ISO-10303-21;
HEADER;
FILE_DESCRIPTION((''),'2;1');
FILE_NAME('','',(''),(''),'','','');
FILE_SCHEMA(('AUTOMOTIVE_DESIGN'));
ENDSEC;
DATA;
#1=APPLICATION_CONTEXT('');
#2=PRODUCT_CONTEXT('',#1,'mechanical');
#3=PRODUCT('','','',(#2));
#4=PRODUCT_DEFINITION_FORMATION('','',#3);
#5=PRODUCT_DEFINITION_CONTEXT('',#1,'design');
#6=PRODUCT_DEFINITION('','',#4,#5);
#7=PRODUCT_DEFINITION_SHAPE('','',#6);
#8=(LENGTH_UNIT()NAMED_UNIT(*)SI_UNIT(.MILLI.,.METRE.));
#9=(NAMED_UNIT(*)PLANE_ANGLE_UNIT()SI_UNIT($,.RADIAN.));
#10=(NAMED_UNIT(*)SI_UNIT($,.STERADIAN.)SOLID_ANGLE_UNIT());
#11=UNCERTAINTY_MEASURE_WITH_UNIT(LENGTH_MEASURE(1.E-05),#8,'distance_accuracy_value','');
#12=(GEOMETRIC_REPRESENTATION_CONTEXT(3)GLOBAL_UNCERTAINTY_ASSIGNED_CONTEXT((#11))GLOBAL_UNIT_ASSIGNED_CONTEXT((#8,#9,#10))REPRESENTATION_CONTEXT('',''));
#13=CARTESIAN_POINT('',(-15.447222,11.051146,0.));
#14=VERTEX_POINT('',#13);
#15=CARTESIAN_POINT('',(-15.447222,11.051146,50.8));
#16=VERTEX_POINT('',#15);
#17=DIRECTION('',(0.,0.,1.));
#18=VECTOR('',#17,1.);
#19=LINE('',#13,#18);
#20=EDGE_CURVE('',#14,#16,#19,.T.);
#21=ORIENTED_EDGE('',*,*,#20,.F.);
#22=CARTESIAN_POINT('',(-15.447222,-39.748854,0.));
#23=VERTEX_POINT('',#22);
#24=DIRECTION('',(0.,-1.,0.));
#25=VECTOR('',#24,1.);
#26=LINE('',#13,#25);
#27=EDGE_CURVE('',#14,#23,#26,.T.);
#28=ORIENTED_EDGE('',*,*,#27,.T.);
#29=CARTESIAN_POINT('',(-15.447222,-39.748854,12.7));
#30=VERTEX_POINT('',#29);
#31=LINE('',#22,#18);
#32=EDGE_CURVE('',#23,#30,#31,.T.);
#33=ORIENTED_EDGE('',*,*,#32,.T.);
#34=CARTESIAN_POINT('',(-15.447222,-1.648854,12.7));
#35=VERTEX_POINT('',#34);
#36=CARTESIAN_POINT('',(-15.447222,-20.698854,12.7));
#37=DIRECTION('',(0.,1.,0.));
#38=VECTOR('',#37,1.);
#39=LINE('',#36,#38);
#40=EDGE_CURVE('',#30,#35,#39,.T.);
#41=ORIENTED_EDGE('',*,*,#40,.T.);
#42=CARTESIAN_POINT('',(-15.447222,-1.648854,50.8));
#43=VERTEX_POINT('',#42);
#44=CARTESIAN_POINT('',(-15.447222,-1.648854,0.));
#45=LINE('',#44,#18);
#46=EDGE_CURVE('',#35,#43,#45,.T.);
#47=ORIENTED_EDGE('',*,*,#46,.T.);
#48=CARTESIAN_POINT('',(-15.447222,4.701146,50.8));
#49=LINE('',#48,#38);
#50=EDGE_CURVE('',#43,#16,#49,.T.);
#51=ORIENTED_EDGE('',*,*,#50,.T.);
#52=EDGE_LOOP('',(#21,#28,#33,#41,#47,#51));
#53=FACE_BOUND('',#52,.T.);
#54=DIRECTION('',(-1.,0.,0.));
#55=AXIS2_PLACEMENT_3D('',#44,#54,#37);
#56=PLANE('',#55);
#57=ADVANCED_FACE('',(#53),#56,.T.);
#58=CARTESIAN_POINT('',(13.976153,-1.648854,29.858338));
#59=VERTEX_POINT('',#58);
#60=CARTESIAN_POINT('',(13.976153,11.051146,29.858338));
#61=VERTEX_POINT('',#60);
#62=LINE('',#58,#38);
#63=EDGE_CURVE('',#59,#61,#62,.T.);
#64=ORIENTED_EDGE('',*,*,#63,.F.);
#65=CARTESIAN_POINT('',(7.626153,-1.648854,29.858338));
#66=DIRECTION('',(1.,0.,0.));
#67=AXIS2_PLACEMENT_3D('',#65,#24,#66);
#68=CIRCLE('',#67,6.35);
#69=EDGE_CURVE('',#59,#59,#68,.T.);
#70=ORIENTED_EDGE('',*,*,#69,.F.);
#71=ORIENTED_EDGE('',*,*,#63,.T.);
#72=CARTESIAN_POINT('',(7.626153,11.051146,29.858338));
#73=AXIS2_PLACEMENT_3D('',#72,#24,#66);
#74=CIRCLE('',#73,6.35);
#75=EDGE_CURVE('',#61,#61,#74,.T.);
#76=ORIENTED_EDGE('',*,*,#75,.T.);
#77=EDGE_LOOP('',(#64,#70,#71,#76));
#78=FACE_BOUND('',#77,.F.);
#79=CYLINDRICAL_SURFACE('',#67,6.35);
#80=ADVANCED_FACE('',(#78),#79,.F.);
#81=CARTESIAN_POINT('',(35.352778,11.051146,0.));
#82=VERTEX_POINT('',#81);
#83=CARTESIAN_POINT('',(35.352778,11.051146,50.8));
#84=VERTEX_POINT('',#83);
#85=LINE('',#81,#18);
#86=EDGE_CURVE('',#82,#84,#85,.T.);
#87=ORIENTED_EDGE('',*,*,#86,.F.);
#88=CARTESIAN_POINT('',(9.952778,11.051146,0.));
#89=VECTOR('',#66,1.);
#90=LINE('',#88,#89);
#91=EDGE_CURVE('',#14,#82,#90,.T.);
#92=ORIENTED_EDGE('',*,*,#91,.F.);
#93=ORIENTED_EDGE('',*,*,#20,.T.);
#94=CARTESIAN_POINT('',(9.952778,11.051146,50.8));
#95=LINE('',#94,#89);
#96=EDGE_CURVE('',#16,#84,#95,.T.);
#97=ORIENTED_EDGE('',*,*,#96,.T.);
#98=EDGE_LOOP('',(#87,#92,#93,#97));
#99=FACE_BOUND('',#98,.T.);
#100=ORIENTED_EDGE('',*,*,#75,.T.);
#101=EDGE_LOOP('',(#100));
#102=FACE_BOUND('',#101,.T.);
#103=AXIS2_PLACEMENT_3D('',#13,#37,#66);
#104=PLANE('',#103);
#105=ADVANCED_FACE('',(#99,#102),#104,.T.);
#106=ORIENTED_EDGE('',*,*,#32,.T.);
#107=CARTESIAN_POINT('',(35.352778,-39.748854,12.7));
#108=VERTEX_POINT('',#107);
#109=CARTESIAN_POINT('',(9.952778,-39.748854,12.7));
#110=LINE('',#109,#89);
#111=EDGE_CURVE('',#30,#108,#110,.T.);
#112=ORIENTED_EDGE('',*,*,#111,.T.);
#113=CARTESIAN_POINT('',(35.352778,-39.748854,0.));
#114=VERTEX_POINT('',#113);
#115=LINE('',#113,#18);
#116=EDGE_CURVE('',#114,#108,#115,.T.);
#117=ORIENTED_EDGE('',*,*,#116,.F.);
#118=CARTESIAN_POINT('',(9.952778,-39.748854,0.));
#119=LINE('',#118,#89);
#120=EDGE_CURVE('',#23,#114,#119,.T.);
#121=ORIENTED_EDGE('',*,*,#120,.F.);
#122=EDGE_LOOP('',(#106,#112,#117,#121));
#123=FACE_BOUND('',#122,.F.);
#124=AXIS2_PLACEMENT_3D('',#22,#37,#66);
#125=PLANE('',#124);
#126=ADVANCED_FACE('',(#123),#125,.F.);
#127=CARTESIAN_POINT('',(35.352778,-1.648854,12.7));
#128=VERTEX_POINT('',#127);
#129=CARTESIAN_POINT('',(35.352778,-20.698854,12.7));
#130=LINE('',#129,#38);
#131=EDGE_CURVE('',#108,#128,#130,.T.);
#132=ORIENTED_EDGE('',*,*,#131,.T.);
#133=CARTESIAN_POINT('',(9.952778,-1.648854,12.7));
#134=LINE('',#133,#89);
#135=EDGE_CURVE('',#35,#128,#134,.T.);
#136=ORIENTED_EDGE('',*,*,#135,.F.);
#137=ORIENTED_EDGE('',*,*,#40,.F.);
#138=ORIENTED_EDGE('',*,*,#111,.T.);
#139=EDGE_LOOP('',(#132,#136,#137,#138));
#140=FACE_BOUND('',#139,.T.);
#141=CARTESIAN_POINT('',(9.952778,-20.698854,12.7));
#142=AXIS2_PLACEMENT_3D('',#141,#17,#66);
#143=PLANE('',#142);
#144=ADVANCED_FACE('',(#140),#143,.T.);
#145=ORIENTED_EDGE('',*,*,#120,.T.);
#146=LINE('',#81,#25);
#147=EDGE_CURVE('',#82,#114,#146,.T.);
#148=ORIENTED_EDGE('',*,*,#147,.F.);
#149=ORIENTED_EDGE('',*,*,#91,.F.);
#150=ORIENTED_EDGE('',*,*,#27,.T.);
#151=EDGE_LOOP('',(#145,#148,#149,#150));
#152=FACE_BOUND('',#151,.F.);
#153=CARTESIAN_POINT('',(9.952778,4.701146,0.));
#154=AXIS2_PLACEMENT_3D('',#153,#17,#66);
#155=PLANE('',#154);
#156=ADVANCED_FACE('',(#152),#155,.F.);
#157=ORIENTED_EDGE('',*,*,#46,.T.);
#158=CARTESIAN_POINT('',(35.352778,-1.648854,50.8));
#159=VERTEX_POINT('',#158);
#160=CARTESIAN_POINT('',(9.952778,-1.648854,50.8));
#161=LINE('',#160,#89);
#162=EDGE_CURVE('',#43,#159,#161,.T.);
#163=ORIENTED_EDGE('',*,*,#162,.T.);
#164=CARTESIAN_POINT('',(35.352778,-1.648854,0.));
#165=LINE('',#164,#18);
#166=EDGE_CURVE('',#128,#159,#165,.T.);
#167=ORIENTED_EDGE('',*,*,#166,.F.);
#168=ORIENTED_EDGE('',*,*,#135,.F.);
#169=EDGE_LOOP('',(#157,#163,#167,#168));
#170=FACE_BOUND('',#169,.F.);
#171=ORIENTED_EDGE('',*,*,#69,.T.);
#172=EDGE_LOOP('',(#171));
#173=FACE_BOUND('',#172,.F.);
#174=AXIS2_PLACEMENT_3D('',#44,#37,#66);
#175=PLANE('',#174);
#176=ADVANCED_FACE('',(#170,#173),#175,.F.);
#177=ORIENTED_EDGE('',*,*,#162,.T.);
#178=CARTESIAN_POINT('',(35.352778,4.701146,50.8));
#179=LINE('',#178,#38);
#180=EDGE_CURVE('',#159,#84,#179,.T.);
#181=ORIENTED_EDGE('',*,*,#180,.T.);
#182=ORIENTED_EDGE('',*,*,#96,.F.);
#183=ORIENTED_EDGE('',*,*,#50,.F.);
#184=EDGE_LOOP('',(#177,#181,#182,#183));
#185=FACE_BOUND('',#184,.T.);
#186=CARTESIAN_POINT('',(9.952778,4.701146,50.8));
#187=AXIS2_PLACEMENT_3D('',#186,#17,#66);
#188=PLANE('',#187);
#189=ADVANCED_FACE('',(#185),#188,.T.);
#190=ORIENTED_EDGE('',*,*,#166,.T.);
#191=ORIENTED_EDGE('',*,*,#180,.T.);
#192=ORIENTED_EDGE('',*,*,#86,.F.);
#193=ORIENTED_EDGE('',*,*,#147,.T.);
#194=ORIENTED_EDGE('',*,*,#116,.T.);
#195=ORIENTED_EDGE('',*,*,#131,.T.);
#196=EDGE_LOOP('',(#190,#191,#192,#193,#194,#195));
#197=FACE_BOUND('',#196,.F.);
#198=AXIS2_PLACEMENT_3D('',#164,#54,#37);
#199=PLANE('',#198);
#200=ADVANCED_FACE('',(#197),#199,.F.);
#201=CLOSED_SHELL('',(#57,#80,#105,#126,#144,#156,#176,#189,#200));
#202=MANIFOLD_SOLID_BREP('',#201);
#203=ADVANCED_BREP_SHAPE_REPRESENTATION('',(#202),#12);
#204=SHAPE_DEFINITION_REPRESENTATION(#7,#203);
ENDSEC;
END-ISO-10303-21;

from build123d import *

# Parameters (mm, degrees)
F0_W     = 50.8
F0_H     = 38.1
F1_DEPTH = 12.7
F0_H_2   = 12.7
F2_DEPTH = 50.8
F3_R     = 6.35
F4_DEPTH = 25.4


with BuildPart() as f1:
    # F0 (on Top) → F1 (new body)
    with BuildSketch(Plane.XY):
        with Locations((9.952778, -20.698854)):
            Rectangle(F0_W, F0_H)
    extrude(amount=F1_DEPTH)

    # F0 (on Top) → F2 (join)
    with BuildSketch(Plane.XY):
        with Locations((9.952778, 4.701146)):
            Rectangle(F0_W, F0_H_2)
    extrude(amount=F2_DEPTH)

    # F3 (on face) → F4 (cut)
    with BuildSketch(Plane.XZ.offset(1.648854)):
        with Locations((7.626153, 29.858338)):
            Circle(F3_R)
    extrude(amount=-F4_DEPTH, mode=Mode.SUBTRACT)


solid = f1.part
